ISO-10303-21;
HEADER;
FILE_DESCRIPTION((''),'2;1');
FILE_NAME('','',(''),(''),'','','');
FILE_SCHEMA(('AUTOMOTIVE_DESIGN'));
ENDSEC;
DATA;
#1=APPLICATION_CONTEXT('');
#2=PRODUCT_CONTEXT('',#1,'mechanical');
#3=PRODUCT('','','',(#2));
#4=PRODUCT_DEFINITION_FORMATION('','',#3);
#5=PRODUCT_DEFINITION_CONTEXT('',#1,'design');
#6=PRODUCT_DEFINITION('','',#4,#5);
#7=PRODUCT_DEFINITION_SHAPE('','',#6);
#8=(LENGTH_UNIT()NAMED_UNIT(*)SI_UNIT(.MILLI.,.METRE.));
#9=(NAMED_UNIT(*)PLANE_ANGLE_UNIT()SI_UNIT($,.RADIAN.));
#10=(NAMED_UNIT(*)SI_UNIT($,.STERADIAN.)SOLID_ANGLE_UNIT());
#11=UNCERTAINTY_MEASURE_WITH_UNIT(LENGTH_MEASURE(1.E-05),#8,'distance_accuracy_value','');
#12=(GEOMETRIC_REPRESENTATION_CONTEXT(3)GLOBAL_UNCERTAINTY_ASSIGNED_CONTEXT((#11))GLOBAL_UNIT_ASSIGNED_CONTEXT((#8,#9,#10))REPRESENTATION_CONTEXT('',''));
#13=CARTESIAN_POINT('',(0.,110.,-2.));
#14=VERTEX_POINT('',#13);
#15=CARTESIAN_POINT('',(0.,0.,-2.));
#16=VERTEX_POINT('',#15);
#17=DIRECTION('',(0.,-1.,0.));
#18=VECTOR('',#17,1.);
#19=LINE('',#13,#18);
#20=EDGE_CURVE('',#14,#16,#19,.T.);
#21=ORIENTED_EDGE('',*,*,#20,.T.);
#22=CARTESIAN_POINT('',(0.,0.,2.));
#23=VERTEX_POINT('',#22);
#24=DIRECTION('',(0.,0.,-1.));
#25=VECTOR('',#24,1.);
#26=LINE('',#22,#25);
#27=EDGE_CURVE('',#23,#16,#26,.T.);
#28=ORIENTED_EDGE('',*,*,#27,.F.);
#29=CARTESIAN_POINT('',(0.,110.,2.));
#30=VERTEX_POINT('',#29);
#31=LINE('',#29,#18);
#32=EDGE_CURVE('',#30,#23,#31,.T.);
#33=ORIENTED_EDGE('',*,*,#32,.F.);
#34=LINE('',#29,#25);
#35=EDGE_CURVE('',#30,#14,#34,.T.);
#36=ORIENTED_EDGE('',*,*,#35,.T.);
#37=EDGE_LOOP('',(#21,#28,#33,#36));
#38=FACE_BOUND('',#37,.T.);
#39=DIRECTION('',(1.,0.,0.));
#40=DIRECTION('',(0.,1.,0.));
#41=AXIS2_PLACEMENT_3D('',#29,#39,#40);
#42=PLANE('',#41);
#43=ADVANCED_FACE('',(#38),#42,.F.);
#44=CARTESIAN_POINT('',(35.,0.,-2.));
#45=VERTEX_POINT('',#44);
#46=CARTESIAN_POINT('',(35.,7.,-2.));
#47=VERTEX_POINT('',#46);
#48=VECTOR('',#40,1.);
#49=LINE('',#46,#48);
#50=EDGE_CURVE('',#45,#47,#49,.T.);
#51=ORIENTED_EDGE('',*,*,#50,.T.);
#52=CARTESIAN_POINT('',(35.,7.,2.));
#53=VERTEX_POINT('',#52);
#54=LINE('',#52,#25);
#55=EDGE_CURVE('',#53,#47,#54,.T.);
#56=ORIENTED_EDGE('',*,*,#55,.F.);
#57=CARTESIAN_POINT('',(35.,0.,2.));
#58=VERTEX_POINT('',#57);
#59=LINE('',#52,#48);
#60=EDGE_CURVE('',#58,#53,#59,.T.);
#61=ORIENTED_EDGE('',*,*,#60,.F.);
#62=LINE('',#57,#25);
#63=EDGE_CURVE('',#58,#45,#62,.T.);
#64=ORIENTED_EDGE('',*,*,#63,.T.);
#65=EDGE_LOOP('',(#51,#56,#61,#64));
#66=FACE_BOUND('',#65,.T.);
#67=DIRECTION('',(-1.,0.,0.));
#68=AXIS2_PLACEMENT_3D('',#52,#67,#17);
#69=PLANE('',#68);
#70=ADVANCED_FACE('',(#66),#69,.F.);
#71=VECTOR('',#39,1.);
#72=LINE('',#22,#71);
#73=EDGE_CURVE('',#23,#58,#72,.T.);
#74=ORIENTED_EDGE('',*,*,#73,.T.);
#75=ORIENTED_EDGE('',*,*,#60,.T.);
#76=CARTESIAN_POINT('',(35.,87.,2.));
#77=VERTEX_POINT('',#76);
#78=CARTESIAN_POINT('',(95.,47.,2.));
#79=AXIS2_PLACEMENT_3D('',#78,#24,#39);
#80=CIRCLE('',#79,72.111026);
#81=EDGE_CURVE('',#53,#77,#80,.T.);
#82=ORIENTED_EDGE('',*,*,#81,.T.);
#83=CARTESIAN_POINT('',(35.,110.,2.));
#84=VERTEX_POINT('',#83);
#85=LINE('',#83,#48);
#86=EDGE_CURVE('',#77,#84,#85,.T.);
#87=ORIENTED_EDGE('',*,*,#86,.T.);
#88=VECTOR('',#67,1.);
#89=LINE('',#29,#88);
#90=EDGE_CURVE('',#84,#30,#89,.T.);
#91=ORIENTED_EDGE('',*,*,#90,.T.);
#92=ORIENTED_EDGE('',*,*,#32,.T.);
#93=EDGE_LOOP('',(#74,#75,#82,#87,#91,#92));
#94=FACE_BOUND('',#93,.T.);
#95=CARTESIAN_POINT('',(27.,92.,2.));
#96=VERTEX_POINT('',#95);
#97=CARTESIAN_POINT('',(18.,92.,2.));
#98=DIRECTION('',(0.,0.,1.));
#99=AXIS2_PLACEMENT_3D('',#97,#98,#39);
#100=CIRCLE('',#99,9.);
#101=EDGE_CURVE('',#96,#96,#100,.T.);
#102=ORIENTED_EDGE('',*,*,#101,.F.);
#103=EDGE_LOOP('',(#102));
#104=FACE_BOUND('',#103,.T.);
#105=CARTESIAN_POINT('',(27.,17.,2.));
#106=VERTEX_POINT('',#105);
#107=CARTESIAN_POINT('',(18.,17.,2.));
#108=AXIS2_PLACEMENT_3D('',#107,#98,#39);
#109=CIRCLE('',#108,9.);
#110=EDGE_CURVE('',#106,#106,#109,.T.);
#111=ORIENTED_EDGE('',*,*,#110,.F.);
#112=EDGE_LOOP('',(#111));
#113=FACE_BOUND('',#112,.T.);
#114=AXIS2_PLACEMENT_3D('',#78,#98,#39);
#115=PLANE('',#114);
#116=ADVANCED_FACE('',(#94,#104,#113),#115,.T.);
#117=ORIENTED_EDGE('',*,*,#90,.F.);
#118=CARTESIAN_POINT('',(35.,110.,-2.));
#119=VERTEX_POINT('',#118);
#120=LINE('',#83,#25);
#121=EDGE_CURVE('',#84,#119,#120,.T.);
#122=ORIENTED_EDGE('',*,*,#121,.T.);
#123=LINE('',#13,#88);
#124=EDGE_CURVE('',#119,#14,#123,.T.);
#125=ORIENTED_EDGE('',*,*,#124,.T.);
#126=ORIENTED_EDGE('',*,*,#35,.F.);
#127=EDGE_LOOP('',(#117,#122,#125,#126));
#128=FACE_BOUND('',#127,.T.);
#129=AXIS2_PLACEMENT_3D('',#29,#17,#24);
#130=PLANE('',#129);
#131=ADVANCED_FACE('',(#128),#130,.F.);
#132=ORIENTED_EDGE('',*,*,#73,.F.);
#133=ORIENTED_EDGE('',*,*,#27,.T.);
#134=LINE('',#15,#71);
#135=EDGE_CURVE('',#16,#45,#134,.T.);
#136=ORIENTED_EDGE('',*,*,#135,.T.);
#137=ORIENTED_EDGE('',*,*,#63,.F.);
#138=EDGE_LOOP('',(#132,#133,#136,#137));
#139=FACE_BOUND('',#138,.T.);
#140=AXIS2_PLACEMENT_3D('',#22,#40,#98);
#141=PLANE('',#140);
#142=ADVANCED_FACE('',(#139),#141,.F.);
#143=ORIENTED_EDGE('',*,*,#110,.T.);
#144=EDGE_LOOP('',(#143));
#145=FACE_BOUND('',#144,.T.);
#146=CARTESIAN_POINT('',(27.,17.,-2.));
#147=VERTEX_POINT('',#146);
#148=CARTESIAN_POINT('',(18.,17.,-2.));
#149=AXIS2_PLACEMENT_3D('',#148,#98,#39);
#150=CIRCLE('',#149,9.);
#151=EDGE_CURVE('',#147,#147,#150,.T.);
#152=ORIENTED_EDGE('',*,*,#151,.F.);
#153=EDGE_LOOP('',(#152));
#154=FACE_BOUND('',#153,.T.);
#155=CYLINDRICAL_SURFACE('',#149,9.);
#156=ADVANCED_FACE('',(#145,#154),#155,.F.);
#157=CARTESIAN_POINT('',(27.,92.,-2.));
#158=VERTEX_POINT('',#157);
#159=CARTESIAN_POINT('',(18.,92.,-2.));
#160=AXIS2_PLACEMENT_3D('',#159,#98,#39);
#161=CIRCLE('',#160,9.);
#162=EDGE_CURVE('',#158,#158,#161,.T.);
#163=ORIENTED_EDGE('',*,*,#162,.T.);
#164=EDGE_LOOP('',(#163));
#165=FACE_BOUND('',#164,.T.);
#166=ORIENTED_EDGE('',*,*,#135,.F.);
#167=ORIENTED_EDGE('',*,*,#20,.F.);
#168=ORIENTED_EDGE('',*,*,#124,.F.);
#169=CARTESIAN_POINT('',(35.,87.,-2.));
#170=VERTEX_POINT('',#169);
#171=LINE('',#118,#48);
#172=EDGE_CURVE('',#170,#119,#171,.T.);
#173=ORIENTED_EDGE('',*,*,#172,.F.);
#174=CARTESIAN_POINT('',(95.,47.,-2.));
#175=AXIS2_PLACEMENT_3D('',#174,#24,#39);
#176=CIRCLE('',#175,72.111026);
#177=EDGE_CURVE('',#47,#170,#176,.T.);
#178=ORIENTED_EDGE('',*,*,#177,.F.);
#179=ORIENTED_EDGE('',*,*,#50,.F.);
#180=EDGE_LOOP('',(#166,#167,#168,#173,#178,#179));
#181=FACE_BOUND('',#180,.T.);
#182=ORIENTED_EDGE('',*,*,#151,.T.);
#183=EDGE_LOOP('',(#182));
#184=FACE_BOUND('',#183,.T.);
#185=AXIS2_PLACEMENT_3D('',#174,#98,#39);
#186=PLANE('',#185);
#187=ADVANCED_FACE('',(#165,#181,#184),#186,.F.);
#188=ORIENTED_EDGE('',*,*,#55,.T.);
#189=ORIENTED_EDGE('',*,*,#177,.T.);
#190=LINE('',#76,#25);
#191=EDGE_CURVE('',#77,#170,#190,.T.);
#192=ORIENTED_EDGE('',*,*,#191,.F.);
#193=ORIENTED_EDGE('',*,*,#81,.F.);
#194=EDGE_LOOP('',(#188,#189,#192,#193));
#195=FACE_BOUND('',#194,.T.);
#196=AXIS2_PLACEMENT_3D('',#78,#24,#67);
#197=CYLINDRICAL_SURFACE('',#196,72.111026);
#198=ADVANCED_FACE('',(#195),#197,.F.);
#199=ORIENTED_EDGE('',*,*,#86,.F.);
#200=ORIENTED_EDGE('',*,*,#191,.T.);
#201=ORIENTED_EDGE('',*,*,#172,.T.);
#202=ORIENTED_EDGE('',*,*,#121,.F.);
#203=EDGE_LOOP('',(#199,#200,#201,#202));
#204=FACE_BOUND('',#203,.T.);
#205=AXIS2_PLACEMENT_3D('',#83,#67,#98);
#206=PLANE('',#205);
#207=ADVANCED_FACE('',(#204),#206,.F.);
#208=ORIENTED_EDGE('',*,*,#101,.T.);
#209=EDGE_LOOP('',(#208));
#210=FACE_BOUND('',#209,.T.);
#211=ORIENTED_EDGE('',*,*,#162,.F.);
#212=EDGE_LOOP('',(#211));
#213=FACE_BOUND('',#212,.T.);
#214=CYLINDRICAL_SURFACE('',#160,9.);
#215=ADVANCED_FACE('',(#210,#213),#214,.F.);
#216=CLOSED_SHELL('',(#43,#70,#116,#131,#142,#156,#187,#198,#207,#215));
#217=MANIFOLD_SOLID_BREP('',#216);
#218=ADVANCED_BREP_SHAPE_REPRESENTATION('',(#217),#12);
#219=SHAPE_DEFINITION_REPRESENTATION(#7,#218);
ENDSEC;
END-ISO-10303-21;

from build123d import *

# Parameters (mm, degrees)
BOSS_EXTRUDE1_DEPTH = 2
SKETCH2_R           = 9
CUT_EXTRUDE1_DEPTH  = 116.503246708


with BuildPart() as part:
    # Sketch1 → Boss-Extrude1 (new, symmetric)
    with BuildSketch(Plane.XY):
        with BuildLine():
            Line((0, 110), (35, 110))
            Line((35, 110), (35, 87))
            ThreePointArc((35, 87), (22.888974491, 47), (35, 7))
            Line((35, 7), (35, 0))
            Line((35, 0), (0, 0))
            Line((0, 0), (0, 110))
        make_face()
    extrude(amount=BOSS_EXTRUDE1_DEPTH, both=True)

    # Sketch2 → Cut-Extrude1 (cut, through all)
    with BuildSketch(Plane.XY.offset(2)):
        with Locations((18, 92)):
            Circle(SKETCH2_R)
        with Locations((18, 17)):
            Circle(SKETCH2_R)
    extrude(amount=-CUT_EXTRUDE1_DEPTH, mode=Mode.SUBTRACT)


solid = part.part
